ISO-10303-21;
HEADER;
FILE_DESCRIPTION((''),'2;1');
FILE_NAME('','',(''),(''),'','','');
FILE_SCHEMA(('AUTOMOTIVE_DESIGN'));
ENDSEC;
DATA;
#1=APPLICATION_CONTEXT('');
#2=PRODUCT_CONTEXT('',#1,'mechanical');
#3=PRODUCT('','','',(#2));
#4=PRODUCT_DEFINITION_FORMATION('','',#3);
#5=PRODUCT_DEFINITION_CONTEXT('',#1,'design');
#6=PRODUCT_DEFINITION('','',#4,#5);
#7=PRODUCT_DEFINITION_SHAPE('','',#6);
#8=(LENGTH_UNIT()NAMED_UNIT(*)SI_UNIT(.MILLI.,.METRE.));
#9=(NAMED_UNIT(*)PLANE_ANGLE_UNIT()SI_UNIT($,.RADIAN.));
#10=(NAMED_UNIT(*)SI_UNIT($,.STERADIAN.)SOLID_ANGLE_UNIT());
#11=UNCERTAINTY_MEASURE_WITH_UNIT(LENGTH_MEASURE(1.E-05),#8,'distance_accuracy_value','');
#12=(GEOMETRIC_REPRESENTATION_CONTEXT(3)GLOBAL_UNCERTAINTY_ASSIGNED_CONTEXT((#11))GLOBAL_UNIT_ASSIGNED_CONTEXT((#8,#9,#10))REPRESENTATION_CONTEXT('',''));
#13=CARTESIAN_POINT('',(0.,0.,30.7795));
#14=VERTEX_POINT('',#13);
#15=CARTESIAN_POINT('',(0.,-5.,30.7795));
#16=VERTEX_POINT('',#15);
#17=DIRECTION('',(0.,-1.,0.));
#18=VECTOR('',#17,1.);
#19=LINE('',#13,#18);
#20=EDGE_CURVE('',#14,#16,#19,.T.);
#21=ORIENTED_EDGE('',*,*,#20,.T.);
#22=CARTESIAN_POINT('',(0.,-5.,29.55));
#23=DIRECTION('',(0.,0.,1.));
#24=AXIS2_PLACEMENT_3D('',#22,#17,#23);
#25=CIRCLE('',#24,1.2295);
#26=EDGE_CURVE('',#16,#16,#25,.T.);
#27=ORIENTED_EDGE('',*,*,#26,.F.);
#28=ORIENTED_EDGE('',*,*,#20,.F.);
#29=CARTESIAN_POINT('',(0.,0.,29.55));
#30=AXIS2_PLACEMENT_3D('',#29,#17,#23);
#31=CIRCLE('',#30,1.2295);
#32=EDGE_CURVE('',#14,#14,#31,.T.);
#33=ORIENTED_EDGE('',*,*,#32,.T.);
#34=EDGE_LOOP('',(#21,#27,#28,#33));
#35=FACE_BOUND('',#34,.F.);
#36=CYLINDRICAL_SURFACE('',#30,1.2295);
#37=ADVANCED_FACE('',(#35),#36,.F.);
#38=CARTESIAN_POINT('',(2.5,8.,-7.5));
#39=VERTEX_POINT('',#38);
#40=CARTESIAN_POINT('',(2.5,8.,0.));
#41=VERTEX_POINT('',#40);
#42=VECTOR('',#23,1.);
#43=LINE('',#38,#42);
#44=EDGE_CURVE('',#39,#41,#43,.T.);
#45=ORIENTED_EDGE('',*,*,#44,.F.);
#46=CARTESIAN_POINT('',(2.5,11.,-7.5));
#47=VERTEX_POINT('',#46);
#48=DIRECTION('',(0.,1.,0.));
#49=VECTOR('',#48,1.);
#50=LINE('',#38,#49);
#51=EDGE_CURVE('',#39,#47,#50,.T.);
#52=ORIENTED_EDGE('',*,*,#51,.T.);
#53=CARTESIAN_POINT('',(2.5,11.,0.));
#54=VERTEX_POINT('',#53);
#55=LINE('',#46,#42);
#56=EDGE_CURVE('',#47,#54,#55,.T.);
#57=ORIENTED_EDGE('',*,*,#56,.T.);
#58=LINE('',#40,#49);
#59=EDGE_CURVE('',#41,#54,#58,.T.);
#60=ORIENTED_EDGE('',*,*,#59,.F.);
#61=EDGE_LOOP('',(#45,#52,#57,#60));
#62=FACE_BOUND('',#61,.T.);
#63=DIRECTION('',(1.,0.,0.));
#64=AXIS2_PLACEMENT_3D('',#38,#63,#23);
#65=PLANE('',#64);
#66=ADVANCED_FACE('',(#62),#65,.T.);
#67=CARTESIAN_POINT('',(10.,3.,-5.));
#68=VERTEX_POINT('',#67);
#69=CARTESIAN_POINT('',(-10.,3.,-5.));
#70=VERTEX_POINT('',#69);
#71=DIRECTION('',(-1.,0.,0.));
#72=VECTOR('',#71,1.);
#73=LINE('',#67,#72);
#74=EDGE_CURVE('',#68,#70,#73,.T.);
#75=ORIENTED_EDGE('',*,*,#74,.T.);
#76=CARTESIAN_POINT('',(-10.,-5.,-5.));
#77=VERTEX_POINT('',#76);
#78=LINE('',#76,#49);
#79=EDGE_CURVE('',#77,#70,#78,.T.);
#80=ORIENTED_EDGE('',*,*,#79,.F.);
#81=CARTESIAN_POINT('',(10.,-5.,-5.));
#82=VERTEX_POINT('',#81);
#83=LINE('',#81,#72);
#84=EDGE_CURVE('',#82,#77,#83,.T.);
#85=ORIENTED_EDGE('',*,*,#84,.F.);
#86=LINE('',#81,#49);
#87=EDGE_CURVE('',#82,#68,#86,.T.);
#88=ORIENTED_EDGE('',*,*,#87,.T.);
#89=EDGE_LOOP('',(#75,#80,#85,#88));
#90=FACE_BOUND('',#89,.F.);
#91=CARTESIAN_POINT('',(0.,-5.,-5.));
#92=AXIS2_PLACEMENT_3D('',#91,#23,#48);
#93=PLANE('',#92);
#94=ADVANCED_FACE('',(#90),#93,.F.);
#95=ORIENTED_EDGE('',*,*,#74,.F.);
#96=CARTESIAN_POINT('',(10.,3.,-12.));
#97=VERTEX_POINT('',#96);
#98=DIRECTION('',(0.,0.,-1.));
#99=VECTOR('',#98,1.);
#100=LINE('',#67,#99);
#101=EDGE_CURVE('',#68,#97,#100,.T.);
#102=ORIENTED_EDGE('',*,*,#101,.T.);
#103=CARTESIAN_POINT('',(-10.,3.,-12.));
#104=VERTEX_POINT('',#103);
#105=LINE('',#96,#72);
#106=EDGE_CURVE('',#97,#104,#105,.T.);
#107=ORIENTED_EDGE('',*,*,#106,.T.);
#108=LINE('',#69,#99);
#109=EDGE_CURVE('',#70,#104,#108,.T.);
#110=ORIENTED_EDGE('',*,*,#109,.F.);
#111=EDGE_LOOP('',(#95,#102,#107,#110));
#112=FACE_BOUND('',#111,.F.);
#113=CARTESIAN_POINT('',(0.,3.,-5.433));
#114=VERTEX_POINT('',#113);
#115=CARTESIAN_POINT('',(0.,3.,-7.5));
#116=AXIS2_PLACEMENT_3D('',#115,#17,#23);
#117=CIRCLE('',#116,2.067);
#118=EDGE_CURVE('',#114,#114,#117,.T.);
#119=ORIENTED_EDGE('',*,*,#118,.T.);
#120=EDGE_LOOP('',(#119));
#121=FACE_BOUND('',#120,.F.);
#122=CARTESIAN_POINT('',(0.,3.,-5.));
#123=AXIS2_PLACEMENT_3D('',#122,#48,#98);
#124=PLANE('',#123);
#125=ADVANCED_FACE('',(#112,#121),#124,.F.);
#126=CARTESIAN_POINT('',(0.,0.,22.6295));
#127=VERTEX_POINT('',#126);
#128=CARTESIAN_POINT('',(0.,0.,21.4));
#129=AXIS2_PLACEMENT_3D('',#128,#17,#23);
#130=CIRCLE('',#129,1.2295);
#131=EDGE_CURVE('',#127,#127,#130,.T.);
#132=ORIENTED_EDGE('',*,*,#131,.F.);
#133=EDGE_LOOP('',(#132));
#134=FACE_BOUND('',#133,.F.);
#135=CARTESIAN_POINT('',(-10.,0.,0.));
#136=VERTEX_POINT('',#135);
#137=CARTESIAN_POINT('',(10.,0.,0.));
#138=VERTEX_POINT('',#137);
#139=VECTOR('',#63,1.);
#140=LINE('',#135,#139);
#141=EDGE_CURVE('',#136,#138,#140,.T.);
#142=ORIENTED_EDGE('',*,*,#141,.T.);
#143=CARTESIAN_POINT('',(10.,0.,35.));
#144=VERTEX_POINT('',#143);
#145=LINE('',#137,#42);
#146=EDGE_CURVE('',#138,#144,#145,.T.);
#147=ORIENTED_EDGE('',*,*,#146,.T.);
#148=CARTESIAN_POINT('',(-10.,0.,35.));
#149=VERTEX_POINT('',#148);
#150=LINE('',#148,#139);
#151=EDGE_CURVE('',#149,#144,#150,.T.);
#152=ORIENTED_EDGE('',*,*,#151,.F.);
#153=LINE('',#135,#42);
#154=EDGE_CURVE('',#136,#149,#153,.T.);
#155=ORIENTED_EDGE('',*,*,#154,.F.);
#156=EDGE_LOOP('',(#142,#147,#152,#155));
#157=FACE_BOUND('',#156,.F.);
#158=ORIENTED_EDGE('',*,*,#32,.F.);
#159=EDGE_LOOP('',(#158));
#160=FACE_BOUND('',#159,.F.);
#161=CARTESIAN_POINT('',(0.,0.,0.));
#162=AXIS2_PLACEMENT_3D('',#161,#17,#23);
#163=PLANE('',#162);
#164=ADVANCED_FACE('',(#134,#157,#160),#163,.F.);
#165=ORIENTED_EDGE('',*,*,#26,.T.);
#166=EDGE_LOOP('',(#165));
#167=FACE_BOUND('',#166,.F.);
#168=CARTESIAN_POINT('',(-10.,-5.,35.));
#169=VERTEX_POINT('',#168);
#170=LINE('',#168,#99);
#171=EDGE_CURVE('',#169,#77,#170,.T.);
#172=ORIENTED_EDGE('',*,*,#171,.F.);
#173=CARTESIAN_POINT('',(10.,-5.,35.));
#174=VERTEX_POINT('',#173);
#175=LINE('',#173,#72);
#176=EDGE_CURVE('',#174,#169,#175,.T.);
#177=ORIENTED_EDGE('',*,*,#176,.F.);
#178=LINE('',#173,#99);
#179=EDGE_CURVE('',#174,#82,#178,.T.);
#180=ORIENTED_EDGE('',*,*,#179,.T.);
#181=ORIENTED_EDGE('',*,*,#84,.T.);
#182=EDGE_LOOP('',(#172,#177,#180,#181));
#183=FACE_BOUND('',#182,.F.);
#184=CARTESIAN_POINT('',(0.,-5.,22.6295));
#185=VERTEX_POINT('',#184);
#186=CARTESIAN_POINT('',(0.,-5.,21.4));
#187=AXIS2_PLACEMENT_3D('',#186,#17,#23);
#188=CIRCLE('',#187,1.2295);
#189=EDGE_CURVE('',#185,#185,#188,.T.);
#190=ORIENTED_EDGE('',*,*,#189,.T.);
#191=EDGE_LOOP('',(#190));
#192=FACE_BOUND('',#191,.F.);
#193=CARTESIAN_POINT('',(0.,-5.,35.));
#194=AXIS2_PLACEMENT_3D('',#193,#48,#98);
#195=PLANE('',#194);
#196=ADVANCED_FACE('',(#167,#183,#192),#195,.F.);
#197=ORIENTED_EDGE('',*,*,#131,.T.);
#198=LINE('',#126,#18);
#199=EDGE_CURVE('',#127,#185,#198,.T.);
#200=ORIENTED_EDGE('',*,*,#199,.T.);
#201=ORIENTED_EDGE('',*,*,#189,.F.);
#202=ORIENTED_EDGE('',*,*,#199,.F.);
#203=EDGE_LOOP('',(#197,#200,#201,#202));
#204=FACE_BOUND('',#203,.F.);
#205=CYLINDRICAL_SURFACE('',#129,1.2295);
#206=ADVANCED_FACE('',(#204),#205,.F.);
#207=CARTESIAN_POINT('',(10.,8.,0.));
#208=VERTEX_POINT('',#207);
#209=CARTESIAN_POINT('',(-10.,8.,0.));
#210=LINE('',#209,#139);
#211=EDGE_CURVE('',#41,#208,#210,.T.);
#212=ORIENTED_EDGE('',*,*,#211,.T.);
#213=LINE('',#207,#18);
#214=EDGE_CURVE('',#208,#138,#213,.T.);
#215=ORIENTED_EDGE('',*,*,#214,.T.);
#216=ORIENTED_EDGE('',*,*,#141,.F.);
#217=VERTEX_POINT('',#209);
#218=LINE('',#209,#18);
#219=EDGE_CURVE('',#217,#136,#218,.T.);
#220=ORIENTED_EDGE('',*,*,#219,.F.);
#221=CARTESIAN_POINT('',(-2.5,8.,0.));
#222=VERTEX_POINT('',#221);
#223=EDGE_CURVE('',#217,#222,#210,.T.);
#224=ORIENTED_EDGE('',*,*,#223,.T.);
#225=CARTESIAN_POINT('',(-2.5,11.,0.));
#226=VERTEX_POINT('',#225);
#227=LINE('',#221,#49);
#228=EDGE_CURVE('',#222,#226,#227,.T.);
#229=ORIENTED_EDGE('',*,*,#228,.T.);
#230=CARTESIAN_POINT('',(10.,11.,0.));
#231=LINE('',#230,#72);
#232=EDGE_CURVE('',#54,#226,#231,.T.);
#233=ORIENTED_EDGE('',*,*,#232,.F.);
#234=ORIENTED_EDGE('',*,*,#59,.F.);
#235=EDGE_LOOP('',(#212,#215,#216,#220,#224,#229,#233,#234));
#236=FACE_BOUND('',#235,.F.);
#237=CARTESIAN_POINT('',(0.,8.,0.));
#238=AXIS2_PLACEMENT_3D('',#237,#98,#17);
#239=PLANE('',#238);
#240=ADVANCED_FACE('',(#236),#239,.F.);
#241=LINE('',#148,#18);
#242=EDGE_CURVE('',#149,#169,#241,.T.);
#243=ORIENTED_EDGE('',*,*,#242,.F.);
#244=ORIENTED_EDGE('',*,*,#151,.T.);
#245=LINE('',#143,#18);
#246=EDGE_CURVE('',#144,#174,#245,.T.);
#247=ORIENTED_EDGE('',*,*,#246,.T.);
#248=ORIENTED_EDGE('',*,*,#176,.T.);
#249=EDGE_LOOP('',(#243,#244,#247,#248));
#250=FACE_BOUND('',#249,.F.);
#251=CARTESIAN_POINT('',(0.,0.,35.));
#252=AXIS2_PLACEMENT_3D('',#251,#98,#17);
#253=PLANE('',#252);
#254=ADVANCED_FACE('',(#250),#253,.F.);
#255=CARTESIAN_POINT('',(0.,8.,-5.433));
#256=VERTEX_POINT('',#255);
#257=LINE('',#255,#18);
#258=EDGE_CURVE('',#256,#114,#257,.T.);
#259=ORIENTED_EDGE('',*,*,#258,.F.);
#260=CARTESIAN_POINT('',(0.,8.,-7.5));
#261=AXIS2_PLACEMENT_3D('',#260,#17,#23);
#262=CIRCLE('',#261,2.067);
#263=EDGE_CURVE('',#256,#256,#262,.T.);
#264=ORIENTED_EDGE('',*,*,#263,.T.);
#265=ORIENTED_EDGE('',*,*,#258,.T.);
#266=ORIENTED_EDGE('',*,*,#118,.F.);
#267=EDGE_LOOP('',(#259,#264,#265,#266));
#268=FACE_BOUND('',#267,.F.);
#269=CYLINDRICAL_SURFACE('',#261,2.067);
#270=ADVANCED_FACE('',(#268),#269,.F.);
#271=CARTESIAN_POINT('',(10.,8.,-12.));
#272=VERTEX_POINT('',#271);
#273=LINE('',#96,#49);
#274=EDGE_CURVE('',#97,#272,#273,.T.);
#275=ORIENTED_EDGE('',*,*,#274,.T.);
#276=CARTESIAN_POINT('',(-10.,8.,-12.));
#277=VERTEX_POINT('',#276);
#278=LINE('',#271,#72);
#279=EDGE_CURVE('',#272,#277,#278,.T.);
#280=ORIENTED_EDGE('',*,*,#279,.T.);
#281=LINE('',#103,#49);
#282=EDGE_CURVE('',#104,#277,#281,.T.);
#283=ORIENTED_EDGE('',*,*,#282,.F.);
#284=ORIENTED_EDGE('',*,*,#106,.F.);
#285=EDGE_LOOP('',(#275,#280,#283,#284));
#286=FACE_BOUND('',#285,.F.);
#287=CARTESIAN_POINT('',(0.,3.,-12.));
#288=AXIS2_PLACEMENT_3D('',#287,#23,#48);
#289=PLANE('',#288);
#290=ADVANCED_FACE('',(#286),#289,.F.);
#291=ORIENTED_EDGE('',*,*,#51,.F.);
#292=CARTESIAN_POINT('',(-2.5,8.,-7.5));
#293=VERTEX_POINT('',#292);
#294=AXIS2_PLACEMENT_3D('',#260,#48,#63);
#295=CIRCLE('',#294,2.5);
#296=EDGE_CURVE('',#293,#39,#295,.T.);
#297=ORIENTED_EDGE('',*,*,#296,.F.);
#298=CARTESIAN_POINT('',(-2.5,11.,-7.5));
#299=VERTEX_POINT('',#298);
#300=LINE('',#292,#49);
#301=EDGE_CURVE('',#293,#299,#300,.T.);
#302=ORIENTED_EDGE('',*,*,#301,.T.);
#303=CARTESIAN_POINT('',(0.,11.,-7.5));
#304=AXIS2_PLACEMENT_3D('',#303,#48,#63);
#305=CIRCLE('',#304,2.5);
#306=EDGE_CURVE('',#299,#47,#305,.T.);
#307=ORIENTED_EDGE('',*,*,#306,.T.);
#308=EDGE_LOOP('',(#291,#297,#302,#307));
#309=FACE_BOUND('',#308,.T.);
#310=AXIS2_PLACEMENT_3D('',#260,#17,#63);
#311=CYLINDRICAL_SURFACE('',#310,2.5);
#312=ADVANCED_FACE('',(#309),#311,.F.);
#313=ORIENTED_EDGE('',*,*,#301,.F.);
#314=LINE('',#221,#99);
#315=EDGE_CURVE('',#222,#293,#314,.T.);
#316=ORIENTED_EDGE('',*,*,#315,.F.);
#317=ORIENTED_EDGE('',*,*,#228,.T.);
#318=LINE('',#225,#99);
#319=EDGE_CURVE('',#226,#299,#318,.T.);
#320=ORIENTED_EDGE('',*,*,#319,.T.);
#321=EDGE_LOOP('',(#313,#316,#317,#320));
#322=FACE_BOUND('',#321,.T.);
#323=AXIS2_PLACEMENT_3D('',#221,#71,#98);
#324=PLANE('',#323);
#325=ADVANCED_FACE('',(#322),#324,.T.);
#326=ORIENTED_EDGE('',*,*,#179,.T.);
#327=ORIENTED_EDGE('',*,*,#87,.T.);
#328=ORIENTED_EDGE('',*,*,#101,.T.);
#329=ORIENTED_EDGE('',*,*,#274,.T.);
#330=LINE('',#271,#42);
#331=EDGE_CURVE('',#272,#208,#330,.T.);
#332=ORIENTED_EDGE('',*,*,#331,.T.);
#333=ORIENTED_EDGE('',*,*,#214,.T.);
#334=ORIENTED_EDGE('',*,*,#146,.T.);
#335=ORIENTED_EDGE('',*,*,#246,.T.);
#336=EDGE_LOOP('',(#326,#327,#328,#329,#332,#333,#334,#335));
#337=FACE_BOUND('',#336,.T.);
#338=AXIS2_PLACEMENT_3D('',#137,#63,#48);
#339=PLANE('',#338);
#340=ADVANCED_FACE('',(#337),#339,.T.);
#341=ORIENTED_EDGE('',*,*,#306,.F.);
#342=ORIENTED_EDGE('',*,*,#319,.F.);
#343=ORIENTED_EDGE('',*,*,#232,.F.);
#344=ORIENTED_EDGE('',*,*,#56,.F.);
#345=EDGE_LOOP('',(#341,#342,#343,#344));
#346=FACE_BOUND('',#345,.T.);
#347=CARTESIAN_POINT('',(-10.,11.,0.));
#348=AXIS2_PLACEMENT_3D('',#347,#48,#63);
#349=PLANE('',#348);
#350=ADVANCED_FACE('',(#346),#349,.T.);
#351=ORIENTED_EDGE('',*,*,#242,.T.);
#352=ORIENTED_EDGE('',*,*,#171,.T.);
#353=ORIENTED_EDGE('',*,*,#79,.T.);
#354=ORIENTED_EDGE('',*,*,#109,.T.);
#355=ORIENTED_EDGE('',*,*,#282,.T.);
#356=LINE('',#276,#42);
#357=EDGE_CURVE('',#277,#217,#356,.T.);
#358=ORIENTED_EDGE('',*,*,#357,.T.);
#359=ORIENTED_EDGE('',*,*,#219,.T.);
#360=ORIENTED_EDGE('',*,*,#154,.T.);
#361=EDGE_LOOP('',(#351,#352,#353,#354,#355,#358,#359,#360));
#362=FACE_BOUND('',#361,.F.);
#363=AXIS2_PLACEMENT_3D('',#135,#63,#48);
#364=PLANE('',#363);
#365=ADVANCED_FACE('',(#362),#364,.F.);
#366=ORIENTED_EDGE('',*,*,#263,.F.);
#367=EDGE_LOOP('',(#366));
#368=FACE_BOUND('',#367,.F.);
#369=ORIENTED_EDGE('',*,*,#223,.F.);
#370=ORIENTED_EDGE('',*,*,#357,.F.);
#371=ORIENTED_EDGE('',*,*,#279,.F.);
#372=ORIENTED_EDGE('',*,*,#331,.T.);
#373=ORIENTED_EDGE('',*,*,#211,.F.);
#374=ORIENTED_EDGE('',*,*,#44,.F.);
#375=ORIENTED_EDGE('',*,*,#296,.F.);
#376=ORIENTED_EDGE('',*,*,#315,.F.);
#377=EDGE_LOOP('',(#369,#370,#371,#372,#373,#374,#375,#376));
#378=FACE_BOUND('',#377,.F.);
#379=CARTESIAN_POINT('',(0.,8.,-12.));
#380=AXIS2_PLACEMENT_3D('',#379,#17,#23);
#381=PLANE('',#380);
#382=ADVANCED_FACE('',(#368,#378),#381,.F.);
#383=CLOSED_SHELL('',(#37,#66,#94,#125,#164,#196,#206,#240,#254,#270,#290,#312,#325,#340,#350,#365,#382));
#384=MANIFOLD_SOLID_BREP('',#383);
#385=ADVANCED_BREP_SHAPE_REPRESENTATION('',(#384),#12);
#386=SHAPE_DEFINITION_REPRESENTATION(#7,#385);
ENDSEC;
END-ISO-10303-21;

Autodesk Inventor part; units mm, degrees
ref_plane "YZ Plane" through (0, 0, 0) normal (1, 0, 0) x (0, 1, 0)
ref_plane "XZ Plane" through (0, 0, 0) normal (0, 1, 0) x (-1, 0, 0)
ref_plane "XY Plane" through (0, 0, 0) normal (0, 0, 1) x (1, 0, 0)
sketch "Skizze1" plane through (0, 0, 0) normal (1, 0, 0) x (0, 1, 0)
  line L0 (8, 0) -> (0, 0)
  line L1 (0, 0) -> (0, 35)
  line L2 (0, 35) -> (-5, 35)
  line L3 (-5, 35) -> (-5, -5)
  line L4 (-5, -5) -> (3, -5)
  line L5 (3, -5) -> (3, -12)
  line L6 (3, -12) -> (8, -12)
  line L7 (8, -12) -> (8, 0)
  dimension "d0" = 5
  dimension "d1" = 35
  dimension "d2" = 5
  dimension "d3" = 5
  dimension "d4" = 12
  dimension "d5" = 8
extrude "Extrusion1" add sketch "Skizze1" along normal mid plane 20
sketch "Skizze2" plane through (-10, 8, 0) normal (0, 1, 0) x (1, 0, 0)
  line L0 (20, 0) -> (0, 0) projected
  line L1 (12.5, 0) -> (7.5, 0)
  line L2 (7.5, 0) -> (7.5, 7.5)
  line L3 (7.5, 7.5) -> (12.5, 7.5)
  line L4 (12.5, 7.5) -> (12.5, 0)
  circle A0 centre (10, 7.5) radius 2.5
  point P0 (10, 0)
  point P1 (10, 0)
  dimension "d8" = 5
  dimension "d9" = 7.5
  dimension "d10" = 5
extrude "Extrusion2" add sketch "Skizze2" along normal blind 3 contours L0 L2 A0 L4
sketch "Skizze3" plane through (-10, 8, -12) normal (0, 1, 0) x (1, 0, 0)
  arc A0 (7.5, -4.5) -> (12.5, -4.5) centre (10, -4.5) ccw projected
  point P0 (10, -12)
hole "Bohrung1" at (0, 8, -7.5) direction (0, -1, 0) diameter 4.134 end through all thread size "M5x0.8" class "6H" standard "ISO Metric profile"
sketch "Skizze4" plane through (-10, 0, 35) normal (0, 1, 0) x (1, 0, 0)
  line L0 (10, 35) -> (10, 0) construction
  line L1 (0, 0) -> (20, 0) projected
  line L2 (20, 35) -> (0, 35) projected
  point P0 (10, 5.45)
  point P1 (10, 13.6)
  dimension "d20" = 21.4
  dimension "d21" = 29.55
hole "Bohrung2" at (0, 0, 29.55) at (0, 0, 21.4) direction (0, -1, 0) diameter 2.459 end through all thread size "M3x0.5" class "6H" standard "ISO Metric profile"
properties part number "Nozzle_Brush_Holder_slim"
